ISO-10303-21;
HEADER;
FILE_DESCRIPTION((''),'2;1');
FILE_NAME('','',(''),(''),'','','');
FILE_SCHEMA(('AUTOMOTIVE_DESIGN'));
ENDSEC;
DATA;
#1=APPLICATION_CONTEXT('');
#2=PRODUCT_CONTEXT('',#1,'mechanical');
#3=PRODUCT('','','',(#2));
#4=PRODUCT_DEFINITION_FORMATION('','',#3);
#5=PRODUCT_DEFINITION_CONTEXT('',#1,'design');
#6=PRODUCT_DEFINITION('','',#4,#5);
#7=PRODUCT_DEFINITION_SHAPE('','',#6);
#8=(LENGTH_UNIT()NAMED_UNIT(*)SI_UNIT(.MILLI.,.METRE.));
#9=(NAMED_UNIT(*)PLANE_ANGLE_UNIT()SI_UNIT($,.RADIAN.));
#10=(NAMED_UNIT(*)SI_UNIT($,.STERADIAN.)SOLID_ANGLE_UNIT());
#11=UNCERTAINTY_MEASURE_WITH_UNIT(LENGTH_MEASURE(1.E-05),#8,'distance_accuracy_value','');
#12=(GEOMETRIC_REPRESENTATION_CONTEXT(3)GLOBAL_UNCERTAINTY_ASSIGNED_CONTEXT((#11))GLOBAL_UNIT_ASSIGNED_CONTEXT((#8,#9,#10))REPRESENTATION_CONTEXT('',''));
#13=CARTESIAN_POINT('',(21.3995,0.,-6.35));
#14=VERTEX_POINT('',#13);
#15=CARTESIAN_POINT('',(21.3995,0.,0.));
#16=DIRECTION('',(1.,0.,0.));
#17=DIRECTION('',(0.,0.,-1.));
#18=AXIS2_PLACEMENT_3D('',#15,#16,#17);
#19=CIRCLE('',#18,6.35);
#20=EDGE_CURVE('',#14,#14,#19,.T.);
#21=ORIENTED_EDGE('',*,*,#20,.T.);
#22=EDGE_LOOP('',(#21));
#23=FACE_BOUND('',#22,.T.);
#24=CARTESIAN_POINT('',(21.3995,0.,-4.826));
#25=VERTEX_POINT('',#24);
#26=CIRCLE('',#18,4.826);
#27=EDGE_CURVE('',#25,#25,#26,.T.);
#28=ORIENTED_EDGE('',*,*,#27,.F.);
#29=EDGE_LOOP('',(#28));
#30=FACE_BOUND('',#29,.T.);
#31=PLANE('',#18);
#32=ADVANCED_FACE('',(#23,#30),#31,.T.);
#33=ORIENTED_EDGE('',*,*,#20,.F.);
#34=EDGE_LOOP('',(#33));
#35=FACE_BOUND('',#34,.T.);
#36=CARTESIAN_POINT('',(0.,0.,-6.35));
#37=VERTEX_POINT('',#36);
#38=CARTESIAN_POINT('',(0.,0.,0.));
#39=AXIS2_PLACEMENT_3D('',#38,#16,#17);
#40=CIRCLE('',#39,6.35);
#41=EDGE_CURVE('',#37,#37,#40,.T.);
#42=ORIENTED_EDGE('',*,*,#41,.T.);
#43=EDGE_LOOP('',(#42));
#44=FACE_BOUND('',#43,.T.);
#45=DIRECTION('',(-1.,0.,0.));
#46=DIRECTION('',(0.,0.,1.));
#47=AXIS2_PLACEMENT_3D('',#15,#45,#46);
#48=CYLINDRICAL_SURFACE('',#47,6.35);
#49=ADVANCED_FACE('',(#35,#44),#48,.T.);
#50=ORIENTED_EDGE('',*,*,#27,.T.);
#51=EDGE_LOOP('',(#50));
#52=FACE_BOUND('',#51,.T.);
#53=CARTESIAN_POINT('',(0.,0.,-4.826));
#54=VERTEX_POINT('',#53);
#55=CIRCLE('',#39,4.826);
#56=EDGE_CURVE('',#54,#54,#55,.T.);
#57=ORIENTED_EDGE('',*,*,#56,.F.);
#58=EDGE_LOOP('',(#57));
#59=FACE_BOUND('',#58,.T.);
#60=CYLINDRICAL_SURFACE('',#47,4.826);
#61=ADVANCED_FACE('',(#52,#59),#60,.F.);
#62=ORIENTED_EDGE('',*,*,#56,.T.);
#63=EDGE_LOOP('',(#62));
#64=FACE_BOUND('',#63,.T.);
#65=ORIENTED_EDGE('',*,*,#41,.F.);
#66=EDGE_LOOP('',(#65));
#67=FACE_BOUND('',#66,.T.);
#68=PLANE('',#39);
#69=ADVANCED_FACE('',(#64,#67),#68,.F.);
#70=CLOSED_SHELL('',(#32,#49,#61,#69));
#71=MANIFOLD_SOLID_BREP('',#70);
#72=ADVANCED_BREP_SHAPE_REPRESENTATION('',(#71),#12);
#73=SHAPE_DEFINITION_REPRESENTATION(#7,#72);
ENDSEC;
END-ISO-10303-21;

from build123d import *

# Parameters (mm, degrees)
SKETCH1_R           = 6.35
SKETCH1_R_2         = 4.826
BOSS_EXTRUDE1_DEPTH = 21.3995


with BuildPart() as part:
    # Sketch1 → Boss-Extrude1 (new body)
    with BuildSketch(Plane(origin=(0, 0, 0), x_dir=(0, 0, -1), z_dir=(1, 0, 0))):
        Circle(SKETCH1_R)
        Circle(SKETCH1_R_2, mode=Mode.SUBTRACT)
    extrude(amount=BOSS_EXTRUDE1_DEPTH)


solid = part.part
